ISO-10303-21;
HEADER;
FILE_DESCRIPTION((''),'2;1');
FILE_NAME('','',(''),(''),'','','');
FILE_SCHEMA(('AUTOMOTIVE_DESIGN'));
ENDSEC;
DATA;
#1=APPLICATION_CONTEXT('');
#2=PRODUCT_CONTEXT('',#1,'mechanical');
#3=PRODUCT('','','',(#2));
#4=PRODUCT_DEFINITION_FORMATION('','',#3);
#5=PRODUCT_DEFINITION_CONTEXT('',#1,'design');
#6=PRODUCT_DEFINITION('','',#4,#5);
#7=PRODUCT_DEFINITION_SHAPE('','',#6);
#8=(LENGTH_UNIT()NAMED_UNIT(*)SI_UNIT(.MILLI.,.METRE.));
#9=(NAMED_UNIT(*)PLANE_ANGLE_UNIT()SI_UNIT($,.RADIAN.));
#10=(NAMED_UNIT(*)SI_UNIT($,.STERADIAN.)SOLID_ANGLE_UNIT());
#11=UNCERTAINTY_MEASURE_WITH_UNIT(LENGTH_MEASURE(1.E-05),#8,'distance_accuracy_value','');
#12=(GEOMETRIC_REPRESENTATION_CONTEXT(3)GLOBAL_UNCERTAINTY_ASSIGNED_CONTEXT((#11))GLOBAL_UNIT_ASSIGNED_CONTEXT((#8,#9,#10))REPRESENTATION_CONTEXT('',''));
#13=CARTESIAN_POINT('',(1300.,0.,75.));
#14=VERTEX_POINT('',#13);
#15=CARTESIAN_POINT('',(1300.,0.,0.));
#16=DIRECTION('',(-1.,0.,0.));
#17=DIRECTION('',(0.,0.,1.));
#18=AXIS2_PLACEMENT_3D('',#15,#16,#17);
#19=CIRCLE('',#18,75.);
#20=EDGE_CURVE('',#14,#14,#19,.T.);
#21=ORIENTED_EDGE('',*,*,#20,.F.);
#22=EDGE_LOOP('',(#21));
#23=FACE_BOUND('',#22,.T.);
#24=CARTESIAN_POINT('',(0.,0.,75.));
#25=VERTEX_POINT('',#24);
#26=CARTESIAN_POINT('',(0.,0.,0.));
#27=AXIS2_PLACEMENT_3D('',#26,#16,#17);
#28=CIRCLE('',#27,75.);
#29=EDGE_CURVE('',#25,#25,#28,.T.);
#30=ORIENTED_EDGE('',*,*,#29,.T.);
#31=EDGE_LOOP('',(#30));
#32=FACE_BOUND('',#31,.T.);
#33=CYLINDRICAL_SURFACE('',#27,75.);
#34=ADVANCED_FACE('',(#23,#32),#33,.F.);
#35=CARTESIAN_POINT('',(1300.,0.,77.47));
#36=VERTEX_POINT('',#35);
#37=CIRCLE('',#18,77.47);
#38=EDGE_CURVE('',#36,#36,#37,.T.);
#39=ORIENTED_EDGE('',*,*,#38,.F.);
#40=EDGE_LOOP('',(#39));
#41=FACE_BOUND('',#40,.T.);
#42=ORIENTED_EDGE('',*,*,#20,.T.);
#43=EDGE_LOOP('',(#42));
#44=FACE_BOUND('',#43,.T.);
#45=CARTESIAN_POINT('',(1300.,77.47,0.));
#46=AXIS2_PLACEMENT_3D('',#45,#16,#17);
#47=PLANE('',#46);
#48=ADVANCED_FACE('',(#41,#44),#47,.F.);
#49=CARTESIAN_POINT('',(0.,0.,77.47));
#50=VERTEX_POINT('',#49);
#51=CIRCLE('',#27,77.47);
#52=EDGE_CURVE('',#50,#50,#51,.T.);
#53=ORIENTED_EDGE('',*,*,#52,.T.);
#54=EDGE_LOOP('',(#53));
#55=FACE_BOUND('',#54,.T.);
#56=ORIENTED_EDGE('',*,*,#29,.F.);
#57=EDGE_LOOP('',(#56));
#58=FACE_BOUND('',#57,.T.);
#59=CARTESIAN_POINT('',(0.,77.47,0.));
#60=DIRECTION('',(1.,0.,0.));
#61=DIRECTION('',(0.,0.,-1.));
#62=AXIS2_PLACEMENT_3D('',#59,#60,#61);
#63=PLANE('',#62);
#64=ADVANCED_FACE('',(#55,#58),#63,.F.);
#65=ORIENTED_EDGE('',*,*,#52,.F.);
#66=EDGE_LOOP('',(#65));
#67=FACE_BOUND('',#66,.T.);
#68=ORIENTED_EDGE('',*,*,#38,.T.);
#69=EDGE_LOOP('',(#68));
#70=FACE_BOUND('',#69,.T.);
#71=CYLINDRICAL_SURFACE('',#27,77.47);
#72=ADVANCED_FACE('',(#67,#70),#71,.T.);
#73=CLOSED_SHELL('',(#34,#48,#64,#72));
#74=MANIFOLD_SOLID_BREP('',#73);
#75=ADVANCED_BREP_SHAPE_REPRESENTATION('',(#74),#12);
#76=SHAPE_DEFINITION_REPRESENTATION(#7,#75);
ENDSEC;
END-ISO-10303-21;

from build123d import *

# Parameters (mm, degrees)
ESQUISSE1_W = 1300
ESQUISSE1_H = 2.47


with BuildPart() as part:
    # Esquisse1 → Révolution1 (revolve)
    with BuildSketch(Plane.XY, mode=Mode.PRIVATE) as r_volution1_sk:
        with Locations((650, 76.235)):
            Rectangle(ESQUISSE1_W, ESQUISSE1_H)
    revolve(r_volution1_sk.sketch.rotate(Axis((0, 0, 0), (1, 0, 0)), 90), axis=Axis((0, 0, 0), (1, 0, 0)))


solid = part.part
